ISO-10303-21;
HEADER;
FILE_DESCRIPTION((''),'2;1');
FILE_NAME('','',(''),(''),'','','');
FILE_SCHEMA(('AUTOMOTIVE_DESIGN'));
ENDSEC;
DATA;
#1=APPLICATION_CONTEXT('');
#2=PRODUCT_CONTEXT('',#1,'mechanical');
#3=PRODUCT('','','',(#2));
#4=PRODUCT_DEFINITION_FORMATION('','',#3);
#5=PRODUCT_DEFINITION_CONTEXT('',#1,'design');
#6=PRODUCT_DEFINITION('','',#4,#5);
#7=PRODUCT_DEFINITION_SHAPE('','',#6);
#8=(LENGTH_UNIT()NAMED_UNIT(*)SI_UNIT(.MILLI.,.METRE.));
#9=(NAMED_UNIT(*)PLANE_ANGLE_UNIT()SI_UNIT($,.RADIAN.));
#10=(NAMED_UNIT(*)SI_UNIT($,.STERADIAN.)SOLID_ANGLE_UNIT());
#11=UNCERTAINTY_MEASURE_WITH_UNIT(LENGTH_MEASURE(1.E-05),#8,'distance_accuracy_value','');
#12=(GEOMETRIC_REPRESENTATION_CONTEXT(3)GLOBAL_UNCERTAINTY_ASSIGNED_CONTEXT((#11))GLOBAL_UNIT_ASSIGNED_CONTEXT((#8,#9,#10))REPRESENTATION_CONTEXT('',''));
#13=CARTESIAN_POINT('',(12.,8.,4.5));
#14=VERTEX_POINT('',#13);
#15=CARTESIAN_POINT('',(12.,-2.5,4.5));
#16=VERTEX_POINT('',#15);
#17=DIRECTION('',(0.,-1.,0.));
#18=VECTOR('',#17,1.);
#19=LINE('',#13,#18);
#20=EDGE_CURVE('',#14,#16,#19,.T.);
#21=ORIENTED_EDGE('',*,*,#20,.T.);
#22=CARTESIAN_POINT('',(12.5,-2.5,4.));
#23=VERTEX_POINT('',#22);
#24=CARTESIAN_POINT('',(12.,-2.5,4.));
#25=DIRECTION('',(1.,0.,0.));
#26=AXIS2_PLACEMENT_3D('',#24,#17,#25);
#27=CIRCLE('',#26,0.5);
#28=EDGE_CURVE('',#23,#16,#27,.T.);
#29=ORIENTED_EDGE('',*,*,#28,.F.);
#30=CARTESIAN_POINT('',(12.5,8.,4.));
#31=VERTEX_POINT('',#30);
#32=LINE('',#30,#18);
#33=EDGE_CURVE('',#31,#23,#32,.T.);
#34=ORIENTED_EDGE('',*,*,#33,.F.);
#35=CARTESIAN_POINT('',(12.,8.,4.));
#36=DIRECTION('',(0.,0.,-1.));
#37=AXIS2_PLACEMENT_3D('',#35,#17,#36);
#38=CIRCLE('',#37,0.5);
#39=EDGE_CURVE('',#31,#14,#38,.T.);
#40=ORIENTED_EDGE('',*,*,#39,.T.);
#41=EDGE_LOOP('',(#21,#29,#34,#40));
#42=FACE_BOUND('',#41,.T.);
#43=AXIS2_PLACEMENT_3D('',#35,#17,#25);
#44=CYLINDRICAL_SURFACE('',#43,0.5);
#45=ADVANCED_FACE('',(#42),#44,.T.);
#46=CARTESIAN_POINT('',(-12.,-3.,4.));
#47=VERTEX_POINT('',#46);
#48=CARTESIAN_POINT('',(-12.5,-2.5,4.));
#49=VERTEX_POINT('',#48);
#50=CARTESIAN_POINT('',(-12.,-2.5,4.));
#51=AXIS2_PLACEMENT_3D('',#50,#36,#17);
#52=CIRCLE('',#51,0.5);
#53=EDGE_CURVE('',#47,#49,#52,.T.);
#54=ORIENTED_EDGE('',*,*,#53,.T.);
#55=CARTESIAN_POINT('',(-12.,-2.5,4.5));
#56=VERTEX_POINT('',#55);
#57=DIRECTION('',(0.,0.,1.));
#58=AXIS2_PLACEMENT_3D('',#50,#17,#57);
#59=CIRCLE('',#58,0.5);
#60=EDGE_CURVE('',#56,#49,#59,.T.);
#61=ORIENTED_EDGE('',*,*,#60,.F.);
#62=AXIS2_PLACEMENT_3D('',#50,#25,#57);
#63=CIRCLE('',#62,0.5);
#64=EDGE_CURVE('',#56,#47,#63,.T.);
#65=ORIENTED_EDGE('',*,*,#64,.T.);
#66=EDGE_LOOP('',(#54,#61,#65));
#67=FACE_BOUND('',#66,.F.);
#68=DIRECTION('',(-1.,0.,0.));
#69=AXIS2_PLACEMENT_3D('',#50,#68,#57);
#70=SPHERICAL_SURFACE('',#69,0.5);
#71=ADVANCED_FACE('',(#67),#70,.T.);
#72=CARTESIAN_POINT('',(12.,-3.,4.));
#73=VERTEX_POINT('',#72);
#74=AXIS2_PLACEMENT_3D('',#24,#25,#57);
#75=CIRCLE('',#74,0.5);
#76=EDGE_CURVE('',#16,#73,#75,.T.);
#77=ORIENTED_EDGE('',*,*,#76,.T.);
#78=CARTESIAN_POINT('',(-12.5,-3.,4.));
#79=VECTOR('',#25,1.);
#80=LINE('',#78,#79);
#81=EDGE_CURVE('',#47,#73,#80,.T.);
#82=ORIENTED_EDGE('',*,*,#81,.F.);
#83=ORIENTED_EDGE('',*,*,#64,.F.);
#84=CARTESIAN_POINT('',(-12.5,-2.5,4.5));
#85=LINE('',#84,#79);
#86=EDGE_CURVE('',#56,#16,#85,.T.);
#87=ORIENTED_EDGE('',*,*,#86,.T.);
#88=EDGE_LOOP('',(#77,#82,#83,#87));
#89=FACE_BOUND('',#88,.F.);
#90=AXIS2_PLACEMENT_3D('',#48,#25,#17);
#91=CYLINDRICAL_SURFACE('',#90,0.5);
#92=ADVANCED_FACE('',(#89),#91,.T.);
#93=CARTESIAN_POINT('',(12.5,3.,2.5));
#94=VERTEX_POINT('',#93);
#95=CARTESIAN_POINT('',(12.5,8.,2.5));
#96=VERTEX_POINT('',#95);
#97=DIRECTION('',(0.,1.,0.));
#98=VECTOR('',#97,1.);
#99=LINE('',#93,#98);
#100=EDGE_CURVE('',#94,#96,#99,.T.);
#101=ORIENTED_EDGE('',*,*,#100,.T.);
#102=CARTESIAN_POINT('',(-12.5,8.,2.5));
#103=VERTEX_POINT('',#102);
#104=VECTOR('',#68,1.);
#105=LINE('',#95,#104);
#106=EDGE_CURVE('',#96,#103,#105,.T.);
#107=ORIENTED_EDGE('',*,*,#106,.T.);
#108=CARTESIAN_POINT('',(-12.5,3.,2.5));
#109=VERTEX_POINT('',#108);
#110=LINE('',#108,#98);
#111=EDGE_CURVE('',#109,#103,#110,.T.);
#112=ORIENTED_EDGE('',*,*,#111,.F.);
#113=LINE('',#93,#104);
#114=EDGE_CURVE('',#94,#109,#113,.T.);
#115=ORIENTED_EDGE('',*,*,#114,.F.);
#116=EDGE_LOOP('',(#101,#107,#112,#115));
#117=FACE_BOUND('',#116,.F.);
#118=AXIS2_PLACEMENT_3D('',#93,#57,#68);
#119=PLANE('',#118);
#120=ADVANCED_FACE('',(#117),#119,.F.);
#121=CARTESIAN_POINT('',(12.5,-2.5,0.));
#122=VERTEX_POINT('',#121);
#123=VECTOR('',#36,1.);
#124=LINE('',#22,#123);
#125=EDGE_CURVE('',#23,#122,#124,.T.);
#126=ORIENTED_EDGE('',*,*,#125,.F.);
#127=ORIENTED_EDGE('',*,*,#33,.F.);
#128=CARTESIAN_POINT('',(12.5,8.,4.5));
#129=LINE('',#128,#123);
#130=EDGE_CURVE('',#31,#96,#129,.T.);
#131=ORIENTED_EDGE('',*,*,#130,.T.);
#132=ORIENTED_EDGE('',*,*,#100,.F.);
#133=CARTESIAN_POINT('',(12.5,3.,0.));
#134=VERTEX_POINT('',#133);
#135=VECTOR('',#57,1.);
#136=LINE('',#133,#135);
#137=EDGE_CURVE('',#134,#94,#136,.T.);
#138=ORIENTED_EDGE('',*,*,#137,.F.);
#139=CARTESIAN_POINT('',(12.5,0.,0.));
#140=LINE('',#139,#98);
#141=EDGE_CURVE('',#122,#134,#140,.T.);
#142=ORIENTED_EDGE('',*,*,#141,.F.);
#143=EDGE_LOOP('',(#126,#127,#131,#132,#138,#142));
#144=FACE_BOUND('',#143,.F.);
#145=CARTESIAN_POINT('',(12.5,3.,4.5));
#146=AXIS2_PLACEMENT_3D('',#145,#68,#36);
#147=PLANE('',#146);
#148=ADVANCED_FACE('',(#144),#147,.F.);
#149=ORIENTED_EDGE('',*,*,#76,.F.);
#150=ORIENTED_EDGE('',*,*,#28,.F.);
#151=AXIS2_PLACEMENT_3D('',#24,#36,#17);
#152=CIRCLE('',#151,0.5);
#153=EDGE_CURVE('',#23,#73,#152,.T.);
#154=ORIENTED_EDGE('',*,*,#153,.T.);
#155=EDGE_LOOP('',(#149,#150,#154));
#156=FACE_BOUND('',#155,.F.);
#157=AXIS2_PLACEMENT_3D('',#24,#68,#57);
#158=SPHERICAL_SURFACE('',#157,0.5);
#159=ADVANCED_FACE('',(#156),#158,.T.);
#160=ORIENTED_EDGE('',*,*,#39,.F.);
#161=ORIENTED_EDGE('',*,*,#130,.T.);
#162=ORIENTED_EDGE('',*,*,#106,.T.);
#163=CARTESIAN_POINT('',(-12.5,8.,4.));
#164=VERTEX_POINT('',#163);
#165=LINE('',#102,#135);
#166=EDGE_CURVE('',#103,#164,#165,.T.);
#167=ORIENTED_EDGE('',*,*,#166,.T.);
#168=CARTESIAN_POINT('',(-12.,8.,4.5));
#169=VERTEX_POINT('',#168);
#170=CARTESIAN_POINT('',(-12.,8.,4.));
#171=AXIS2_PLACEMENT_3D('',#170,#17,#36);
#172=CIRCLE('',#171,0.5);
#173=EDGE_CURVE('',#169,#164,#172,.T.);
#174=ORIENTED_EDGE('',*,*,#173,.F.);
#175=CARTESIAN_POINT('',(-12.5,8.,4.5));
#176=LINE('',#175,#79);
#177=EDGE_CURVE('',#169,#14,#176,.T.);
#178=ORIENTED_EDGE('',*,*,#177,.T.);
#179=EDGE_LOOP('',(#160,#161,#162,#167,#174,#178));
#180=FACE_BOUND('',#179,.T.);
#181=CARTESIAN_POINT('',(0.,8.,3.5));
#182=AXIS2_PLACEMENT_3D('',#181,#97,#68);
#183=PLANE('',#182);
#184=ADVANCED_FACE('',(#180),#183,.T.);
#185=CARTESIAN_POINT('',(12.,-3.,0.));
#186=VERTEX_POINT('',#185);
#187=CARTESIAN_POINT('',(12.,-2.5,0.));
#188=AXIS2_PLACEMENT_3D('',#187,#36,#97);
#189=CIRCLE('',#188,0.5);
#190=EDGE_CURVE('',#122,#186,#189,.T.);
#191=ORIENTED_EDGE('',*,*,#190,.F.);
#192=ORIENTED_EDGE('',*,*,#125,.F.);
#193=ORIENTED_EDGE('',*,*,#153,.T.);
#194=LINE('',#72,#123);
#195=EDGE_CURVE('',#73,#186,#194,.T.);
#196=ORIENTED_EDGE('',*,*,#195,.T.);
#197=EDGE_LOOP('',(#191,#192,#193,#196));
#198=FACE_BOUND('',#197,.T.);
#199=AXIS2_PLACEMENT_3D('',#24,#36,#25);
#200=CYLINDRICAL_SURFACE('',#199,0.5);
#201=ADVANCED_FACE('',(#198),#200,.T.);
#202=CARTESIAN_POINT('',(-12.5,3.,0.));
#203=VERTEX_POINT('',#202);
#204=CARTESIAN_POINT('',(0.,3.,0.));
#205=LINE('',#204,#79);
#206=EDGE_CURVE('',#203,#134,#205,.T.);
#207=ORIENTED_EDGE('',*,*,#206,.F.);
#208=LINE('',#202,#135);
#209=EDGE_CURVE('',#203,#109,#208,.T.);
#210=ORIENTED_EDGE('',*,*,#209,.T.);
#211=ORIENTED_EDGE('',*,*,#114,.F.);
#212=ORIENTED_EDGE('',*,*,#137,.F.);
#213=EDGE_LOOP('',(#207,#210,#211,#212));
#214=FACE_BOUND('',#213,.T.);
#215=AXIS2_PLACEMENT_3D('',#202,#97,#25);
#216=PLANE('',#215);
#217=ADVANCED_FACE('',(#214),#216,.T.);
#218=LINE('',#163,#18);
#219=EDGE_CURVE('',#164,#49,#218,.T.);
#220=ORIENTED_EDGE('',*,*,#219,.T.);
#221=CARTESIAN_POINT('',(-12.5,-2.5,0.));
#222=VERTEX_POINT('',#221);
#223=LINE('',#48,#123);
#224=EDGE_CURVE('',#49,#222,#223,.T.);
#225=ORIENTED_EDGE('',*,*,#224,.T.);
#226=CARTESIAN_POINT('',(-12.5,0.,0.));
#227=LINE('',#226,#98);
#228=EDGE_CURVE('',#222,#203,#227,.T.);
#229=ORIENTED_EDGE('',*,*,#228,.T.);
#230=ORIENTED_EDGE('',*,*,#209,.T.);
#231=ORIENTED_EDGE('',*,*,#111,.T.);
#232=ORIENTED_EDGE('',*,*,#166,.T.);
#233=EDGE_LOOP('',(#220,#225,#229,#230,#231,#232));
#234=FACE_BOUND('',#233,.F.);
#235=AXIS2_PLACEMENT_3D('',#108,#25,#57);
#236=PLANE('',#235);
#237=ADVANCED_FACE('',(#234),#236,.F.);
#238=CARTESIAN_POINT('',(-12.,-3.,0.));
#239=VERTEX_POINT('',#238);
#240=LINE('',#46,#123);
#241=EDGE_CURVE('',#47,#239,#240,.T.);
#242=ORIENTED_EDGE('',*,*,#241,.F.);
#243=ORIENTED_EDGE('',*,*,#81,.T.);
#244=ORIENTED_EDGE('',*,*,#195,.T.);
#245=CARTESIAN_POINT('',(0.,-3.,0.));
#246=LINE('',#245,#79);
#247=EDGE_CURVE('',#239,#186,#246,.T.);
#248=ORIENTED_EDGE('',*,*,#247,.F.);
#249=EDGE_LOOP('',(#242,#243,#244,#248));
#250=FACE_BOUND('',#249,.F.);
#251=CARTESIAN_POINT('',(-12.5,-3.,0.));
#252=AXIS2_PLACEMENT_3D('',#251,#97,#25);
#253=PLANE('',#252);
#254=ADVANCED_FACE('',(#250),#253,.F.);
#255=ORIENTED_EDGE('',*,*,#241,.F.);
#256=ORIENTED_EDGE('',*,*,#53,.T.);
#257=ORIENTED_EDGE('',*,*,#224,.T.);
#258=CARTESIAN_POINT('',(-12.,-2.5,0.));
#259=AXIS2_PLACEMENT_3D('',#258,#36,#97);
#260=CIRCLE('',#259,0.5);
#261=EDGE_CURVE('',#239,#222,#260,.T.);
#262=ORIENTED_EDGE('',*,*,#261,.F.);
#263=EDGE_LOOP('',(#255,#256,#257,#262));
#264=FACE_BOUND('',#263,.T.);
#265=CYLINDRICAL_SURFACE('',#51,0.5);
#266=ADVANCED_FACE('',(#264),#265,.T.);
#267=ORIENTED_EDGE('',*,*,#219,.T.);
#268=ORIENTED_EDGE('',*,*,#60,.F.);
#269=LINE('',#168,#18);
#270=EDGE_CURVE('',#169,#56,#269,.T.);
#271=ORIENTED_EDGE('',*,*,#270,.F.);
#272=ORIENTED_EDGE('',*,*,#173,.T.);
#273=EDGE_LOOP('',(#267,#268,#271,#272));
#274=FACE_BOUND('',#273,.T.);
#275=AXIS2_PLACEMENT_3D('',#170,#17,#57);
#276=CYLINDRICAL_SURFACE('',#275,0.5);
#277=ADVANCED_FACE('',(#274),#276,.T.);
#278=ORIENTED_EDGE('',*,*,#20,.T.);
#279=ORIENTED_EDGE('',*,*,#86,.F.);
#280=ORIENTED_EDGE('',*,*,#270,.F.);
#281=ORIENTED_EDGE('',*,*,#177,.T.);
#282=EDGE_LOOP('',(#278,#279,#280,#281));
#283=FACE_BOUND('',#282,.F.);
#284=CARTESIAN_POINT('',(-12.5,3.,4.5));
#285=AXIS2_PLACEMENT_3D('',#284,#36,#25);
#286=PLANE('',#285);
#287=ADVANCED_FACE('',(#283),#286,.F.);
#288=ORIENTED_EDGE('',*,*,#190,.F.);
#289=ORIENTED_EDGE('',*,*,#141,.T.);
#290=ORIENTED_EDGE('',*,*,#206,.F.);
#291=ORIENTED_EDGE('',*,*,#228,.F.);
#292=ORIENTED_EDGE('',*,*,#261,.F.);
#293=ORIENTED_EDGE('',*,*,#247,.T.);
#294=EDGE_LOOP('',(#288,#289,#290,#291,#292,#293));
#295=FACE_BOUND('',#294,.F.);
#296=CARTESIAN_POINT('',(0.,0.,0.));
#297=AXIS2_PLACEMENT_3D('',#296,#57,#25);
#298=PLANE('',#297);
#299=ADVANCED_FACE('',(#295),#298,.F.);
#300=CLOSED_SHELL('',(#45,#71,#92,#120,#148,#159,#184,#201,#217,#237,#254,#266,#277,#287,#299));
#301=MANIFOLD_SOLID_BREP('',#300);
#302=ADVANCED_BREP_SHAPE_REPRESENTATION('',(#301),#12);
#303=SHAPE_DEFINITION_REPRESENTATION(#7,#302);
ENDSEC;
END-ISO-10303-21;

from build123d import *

# Parameters (mm, degrees)
F0_W     = 25
F0_H     = 6
F1_DEPTH = 4.5
F3_DEPTH = 5
F4_R     = 0.5
F5_R     = 0.5


with BuildPart() as f1:
    # F0 (on Top) → F1 (new body)
    with BuildSketch(Plane.XY):
        Rectangle(F0_W, F0_H)
    extrude(amount=F1_DEPTH)

    # F2 (on face) → F3 (join)
    with BuildSketch(Plane(origin=(0, 3, 0), x_dir=(-1, 0, 0), z_dir=(0, 1, 0))):
        Polygon((-12.5, 4.5), (-12.5, 2.5), (10.169396, 2.5), (12.5, 2.5), (12.5, 4.5), align=None)
    extrude(amount=F3_DEPTH)

    # F4
    f4_edges = [f1.edges().sort_by_distance(p)[0] for p in [
        (0, -3, 4.5),
    ]]
    fillet(f4_edges, radius=F4_R)

    # F5
    f5_edges = [f1.edges().sort_by_distance(p)[0] for p in [
        (12.5, 2.75, 4.5),
        (-12.5, 2.75, 4.5),
    ]]
    fillet(f5_edges, radius=F5_R)


solid = f1.part
